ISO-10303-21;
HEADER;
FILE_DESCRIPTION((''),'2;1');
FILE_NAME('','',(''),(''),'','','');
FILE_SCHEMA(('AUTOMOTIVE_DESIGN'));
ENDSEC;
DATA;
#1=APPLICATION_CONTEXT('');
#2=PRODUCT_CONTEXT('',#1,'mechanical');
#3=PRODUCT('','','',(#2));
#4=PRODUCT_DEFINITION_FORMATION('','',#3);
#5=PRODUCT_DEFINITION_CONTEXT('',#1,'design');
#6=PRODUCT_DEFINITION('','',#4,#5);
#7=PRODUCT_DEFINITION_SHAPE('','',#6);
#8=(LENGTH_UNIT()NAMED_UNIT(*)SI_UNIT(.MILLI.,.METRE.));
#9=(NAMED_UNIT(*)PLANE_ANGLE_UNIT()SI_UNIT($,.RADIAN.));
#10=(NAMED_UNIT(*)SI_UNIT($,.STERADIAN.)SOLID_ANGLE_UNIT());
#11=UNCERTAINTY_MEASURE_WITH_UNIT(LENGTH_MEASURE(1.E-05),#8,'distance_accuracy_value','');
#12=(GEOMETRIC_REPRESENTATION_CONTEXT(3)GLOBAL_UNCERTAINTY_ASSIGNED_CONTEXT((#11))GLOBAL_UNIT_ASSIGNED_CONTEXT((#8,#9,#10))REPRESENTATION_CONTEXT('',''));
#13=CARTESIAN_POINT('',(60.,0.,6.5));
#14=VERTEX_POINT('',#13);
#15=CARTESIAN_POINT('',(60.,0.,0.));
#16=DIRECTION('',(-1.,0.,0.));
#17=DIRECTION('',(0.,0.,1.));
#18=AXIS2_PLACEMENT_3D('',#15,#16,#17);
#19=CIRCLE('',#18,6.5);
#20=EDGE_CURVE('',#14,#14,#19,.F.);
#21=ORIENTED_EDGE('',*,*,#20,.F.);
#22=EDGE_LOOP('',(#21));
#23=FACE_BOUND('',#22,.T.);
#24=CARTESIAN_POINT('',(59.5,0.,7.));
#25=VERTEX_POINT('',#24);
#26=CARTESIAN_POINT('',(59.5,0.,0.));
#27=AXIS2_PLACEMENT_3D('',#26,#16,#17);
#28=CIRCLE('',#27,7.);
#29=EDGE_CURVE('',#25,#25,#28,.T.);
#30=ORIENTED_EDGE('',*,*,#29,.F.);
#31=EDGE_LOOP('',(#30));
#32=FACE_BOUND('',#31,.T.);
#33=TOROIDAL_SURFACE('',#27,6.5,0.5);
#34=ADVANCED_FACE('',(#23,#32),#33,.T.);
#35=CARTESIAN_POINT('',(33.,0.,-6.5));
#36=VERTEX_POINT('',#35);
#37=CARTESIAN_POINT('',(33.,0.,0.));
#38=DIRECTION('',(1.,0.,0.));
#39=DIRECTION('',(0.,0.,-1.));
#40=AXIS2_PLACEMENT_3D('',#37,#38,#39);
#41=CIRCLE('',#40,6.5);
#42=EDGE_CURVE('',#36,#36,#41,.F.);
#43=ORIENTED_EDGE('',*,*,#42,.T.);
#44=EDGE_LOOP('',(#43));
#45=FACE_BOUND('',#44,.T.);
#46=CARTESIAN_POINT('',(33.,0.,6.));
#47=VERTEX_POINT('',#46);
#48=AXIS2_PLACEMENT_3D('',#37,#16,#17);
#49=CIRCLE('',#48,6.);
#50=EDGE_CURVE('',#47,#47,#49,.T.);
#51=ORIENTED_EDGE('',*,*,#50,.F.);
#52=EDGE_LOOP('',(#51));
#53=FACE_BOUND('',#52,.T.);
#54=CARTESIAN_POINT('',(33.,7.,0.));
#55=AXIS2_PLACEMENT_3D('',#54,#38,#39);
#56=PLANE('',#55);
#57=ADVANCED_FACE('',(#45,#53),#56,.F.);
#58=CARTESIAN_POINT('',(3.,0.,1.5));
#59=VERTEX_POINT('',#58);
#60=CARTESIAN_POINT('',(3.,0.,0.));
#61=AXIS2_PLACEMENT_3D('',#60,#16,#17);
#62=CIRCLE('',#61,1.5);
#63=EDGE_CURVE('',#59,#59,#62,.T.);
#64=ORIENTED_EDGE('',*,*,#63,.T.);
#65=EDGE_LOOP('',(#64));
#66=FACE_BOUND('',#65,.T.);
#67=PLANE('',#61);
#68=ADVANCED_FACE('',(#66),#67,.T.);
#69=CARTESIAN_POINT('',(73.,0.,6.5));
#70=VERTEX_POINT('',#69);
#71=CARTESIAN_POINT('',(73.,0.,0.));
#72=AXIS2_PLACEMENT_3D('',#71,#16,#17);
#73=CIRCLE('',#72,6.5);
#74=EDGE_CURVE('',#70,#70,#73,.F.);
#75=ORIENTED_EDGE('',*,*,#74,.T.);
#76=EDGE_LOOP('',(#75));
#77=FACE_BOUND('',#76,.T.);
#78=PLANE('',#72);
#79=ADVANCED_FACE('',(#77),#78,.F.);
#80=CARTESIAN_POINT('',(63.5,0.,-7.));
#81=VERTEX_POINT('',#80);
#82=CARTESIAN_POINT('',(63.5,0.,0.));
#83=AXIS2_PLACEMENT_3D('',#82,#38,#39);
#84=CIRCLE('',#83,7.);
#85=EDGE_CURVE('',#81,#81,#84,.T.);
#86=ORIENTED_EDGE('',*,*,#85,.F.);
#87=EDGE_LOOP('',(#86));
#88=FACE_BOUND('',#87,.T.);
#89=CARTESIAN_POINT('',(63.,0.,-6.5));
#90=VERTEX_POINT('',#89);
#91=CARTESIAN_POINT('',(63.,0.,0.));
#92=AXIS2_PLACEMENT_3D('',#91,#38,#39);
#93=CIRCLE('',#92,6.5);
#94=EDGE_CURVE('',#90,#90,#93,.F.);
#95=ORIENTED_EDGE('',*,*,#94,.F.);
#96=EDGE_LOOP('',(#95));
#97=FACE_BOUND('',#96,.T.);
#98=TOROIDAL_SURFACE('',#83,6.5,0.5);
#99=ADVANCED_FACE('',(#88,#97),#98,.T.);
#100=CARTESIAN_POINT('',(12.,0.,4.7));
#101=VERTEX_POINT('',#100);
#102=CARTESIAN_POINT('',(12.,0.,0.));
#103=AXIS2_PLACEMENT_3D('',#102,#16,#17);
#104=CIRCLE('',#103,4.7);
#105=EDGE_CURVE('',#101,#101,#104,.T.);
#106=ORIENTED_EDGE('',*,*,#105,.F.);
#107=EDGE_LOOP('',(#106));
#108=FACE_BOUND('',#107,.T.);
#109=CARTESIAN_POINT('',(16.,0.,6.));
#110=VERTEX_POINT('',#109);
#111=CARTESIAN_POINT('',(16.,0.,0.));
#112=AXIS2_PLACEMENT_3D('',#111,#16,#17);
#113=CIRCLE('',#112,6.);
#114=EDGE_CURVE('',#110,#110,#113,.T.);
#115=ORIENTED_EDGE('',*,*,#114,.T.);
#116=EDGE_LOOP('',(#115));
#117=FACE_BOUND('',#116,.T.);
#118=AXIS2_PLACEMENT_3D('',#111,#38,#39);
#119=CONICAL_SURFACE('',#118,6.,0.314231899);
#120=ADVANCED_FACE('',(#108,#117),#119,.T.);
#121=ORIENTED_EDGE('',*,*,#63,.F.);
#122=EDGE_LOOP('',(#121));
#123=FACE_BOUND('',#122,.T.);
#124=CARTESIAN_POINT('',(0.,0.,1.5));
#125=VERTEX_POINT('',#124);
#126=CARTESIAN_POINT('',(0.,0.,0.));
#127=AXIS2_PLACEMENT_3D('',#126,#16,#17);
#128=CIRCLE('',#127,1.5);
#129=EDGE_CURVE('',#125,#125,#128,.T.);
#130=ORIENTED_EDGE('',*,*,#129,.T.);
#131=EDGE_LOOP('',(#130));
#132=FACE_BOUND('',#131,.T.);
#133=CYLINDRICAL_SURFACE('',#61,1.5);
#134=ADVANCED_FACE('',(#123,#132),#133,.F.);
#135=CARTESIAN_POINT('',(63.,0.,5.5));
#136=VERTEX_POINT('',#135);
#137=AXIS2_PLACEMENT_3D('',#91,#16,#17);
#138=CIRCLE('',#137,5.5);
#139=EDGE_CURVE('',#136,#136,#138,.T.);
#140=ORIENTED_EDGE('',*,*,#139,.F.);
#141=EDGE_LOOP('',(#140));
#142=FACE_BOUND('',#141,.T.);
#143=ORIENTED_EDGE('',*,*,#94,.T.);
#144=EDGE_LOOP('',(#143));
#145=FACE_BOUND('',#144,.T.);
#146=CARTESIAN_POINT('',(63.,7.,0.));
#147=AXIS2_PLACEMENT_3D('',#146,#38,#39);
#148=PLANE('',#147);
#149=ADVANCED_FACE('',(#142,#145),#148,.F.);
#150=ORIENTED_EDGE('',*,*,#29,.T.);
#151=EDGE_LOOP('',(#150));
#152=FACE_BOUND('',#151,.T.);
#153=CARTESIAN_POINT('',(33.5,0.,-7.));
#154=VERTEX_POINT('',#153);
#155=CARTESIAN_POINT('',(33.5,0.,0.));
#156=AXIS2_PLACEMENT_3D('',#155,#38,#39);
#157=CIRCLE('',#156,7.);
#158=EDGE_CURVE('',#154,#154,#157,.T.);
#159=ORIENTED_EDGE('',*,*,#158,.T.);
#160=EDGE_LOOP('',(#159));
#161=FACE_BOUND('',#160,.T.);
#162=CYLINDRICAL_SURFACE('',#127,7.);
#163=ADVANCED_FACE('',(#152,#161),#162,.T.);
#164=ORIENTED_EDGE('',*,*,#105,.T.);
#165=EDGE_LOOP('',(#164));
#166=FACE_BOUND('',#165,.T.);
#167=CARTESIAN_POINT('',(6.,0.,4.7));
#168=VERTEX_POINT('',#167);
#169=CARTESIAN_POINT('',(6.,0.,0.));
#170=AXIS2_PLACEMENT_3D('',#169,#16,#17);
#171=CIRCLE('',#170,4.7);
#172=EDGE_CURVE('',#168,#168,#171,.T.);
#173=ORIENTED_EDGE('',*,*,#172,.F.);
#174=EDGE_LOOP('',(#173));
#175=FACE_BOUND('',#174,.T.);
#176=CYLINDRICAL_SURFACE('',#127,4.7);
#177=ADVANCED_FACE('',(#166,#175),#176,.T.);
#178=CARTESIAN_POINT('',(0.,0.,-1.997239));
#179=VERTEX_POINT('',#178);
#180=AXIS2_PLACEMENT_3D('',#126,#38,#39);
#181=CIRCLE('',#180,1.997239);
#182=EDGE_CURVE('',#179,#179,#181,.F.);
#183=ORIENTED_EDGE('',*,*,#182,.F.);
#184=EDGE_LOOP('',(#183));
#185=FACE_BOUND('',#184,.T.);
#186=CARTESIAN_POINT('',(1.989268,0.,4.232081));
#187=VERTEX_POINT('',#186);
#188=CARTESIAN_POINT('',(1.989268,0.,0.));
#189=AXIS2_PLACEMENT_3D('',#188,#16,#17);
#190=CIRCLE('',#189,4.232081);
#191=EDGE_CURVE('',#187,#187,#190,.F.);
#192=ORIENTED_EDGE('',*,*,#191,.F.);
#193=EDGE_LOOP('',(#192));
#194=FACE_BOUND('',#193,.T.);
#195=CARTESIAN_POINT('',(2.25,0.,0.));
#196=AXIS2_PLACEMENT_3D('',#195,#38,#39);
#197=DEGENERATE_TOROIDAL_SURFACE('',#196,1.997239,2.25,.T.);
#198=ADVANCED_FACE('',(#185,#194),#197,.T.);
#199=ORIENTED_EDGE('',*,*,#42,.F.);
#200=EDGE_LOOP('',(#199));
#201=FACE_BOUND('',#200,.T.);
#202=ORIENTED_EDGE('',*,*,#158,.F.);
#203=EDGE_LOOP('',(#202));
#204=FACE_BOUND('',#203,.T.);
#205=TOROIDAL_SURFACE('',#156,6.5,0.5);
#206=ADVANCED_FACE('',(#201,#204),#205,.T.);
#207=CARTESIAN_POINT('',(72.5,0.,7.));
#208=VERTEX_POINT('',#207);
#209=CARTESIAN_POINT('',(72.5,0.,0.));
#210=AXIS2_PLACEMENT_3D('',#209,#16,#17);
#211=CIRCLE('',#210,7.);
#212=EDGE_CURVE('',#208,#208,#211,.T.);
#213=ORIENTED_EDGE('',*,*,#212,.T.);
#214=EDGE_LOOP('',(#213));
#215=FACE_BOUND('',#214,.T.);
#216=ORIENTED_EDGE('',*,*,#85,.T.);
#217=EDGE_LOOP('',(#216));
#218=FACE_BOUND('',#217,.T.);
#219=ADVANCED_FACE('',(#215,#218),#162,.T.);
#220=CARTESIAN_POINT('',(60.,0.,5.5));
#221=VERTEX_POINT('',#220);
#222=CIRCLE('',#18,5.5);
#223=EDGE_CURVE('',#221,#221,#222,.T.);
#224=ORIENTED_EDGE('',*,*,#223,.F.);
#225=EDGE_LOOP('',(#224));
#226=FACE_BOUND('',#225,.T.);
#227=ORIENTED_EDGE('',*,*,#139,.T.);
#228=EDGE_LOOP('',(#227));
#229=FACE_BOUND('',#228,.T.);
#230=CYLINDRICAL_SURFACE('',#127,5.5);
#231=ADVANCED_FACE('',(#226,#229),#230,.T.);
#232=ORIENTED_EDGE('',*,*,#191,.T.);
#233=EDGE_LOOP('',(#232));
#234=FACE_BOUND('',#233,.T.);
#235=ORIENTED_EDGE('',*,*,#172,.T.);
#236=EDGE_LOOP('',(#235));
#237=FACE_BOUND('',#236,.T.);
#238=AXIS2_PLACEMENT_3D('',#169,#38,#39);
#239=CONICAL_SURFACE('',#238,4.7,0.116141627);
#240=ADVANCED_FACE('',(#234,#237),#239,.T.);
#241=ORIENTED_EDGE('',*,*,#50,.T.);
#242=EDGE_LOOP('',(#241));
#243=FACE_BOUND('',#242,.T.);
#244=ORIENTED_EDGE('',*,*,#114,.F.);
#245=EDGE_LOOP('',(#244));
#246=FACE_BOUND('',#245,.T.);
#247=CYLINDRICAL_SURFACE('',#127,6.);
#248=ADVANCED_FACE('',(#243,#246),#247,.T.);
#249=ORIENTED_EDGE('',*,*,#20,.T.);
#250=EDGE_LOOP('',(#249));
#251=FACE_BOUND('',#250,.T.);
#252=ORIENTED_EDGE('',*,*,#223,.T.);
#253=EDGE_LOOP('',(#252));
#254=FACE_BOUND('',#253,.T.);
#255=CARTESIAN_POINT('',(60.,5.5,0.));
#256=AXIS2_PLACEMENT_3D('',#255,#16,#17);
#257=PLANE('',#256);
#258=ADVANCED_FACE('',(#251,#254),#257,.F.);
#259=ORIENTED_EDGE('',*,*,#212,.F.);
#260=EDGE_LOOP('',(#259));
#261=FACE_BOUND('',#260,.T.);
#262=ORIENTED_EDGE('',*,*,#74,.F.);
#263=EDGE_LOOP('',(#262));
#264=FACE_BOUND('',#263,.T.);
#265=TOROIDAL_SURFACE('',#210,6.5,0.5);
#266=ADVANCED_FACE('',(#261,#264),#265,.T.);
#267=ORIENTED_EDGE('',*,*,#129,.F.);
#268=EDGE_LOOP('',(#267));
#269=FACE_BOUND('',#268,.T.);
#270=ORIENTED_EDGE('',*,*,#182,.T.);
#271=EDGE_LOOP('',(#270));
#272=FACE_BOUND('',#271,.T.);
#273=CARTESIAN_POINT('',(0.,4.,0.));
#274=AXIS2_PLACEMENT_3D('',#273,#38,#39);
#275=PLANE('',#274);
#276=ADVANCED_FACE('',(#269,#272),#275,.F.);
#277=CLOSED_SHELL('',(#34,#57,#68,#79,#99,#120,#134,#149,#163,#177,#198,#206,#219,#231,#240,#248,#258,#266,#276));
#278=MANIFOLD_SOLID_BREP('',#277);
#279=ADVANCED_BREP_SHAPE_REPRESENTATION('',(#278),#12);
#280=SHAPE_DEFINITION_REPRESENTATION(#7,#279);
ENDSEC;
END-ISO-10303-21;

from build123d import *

# Parameters (mm, degrees)
ESBO_O2_R             = 1.5
CORTE_EXTRUS_O1_DEPTH = 3
FILETE1_R             = 2.25
FILETE2_R             = 0.5


with BuildPart() as part:
    # Esboço1 → Revolução1 (revolve)
    with BuildSketch(Plane.XY, mode=Mode.PRIVATE) as revolu_o1_sk:
        Polygon((0, 0), (73, 0), (73, 7), (63, 7), (63, 5.5), (60, 5.5), (60, 7), (33, 7), (33, 6), (16, 6), (12, 4.7), (6, 4.7), (0, 4), align=None)
    revolve(revolu_o1_sk.sketch.rotate(Axis((0, 0, 0), (1, 0, 0)), 90), axis=Axis((0, 0, 0), (1, 0, 0)))

    # Esboço2 → Corte-extrusão1 (cut)
    with BuildSketch(Plane.ZY):
        Circle(ESBO_O2_R)
    extrude(amount=-CORTE_EXTRUS_O1_DEPTH, mode=Mode.SUBTRACT)

    # Filete1
    filete1_edges = [part.edges().sort_by_distance(p)[0] for p in [
        (0, 0, -4),
    ]]
    fillet(filete1_edges, radius=FILETE1_R)

    # Filete2
    filete2_edges = [part.edges().sort_by_distance(p)[0] for p in [
        (33, 0, -7),
        (60, 0, -7),
        (63, 0, -7),
        (73, 0, -7),
    ]]
    fillet(filete2_edges, radius=FILETE2_R)


solid = part.part
